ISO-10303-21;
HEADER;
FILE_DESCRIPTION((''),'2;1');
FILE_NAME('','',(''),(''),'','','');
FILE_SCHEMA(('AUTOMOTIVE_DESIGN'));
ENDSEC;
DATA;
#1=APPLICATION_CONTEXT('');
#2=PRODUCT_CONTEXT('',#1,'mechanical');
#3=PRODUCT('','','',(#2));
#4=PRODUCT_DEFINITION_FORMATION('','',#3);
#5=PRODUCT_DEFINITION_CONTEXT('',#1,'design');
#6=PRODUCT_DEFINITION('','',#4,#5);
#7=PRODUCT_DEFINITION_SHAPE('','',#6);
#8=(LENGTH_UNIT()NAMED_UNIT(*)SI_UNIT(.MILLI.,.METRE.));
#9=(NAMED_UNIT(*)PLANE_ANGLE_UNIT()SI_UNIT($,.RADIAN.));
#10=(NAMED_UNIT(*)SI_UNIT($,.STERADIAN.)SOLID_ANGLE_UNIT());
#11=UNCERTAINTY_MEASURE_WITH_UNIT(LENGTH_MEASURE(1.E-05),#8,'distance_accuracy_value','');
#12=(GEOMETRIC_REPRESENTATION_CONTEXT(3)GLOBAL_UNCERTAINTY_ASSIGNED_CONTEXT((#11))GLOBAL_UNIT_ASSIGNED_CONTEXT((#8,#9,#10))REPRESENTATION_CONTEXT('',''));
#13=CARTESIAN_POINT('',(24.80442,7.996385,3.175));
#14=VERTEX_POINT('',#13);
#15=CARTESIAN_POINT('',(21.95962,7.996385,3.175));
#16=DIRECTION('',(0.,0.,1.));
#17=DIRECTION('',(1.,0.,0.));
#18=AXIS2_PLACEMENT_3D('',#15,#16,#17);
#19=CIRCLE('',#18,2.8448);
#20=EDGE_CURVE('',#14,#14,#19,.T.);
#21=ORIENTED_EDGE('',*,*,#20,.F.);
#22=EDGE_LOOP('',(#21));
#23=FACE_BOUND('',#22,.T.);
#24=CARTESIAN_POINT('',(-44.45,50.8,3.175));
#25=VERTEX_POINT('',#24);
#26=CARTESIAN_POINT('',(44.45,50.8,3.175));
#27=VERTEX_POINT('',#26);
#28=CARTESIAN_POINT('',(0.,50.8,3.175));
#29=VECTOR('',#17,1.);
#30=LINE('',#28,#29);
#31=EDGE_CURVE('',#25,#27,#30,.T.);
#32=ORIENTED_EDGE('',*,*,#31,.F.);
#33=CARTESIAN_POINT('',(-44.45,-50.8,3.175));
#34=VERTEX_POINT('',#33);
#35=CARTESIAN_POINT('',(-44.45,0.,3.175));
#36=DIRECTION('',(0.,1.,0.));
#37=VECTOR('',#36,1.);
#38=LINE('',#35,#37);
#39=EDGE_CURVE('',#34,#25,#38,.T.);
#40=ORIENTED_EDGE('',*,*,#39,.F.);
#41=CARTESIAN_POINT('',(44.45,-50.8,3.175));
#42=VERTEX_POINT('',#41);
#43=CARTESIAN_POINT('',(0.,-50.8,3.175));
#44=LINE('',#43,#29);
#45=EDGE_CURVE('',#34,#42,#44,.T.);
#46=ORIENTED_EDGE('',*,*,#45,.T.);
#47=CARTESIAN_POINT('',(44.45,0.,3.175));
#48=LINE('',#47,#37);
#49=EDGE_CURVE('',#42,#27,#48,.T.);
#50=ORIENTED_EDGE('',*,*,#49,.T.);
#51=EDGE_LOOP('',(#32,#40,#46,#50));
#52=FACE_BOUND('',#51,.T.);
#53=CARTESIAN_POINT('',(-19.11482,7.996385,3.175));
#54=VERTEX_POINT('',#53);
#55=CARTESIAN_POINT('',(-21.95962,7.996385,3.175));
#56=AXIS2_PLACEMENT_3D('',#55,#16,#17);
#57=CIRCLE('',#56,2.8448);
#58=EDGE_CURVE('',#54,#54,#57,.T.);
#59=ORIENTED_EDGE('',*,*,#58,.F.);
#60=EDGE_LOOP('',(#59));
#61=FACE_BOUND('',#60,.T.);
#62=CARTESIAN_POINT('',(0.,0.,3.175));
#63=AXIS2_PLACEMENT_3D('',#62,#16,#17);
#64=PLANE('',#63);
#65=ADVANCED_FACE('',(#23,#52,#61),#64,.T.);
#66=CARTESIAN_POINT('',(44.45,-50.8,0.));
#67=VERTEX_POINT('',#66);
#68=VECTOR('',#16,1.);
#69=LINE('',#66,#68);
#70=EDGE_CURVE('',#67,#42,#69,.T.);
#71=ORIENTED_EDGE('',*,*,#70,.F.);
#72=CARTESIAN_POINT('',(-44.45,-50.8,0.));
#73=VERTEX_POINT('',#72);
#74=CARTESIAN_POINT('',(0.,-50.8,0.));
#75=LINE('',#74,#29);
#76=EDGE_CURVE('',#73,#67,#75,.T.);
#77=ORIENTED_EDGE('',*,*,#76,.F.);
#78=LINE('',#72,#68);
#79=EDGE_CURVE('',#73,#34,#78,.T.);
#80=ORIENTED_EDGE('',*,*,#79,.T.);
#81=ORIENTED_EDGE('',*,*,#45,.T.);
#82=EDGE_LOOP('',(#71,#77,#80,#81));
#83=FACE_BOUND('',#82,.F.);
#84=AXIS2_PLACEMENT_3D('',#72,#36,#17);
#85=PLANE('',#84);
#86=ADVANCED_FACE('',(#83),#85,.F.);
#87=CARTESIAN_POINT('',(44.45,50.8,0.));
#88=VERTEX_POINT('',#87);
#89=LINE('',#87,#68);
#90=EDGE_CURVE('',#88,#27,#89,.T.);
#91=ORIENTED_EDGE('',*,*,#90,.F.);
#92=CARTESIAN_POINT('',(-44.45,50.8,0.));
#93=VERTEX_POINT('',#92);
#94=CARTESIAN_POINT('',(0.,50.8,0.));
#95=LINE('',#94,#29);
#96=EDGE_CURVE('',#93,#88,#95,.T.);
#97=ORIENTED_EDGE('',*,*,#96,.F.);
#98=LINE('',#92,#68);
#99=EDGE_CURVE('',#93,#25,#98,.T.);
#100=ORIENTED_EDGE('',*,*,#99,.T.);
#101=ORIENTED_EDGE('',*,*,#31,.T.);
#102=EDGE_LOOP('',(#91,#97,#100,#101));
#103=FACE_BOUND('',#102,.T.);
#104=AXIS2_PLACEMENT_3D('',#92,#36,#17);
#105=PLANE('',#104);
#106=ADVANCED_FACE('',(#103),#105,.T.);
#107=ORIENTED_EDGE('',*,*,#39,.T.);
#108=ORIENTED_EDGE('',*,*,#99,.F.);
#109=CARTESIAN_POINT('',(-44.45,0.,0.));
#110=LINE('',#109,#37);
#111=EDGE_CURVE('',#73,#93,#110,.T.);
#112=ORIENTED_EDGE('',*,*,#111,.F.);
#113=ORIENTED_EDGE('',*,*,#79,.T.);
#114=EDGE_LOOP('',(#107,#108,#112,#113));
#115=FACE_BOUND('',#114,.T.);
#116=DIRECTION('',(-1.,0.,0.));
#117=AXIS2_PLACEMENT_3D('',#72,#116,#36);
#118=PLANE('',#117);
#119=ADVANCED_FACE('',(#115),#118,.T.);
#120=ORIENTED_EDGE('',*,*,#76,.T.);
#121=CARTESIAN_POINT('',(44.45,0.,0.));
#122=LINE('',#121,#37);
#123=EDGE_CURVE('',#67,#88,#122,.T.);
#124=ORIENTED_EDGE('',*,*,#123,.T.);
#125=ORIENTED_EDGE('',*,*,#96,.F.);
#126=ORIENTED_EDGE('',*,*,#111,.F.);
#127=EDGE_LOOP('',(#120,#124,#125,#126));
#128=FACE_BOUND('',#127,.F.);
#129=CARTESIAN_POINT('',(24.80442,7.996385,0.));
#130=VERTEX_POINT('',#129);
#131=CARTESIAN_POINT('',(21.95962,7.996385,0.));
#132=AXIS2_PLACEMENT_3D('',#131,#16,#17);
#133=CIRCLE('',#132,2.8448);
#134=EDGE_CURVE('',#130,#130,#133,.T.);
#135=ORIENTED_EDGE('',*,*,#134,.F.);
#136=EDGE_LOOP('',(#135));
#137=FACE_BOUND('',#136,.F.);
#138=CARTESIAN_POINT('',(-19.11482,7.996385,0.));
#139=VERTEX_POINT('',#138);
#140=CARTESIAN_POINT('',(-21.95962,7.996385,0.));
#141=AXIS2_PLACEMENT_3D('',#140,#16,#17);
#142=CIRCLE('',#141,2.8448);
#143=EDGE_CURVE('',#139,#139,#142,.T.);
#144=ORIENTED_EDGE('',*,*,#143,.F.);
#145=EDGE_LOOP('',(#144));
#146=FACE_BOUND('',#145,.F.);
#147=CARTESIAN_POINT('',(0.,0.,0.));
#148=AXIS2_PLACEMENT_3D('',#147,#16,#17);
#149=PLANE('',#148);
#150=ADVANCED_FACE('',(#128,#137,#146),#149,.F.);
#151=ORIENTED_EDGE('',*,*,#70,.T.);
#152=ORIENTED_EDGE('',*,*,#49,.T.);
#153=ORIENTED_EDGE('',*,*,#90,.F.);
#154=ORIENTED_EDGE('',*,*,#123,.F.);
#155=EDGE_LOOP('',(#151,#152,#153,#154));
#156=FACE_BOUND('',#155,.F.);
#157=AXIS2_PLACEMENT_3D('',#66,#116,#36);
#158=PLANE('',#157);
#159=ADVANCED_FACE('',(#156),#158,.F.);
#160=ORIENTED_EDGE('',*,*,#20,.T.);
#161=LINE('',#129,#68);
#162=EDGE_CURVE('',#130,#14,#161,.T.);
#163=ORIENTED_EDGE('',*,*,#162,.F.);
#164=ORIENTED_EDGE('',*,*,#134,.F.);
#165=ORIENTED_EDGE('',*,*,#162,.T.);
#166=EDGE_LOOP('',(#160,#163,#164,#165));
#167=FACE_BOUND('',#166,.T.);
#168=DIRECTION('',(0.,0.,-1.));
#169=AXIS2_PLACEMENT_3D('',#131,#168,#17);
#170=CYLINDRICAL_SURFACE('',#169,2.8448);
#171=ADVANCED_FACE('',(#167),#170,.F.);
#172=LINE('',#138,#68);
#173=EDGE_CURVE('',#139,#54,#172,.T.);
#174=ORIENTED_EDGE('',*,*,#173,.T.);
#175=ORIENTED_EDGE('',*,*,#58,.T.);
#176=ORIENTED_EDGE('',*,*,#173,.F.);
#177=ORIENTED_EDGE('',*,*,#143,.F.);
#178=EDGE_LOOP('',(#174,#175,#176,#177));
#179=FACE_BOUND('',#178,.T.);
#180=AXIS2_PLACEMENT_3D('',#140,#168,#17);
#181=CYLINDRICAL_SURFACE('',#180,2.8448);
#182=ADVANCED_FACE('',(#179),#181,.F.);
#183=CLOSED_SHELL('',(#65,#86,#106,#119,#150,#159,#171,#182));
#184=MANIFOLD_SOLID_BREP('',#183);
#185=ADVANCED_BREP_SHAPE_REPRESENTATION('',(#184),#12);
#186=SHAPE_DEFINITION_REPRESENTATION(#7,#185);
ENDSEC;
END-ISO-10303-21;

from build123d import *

# Parameters (mm, degrees)
F0_W     = 88.9
F0_H     = 101.6
F0_R     = 18.288
F0_R_2   = 10.2489
F0_R_3   = 2.8448
F1_DEPTH = 3.175


with BuildPart() as f1:
    # F0 (on Top) → F1 (new body)
    with BuildSketch(Plane.XY):
        Rectangle(F0_W, F0_H)
        with Locations((-21.9596195966, 7.9963849857)):
            Circle(F0_R, mode=Mode.SUBTRACT)
        with Locations((21.9596195966, 7.9963849857)):
            Circle(F0_R, mode=Mode.SUBTRACT)
        with Locations((-21.9596195966, 7.9963849857)):
            Circle(F0_R)
        with Locations((-21.9596195966, 7.9963849857)):
            Circle(F0_R_2, mode=Mode.SUBTRACT)
        with Locations((21.9596195966, 7.9963849857)):
            Circle(F0_R)
        with Locations((21.9596195966, 7.9963849857)):
            Circle(F0_R_2, mode=Mode.SUBTRACT)
        with Locations((-21.9596195966, 7.9963849857)):
            Circle(F0_R_2)
        with Locations((-21.9596195966, 7.9963849857)):
            Circle(F0_R_3, mode=Mode.SUBTRACT)
        with Locations((21.9596195966, 7.9963849857)):
            Circle(F0_R_2)
        with Locations((21.9596195966, 7.9963849857)):
            Circle(F0_R_3, mode=Mode.SUBTRACT)
    extrude(amount=F1_DEPTH)


solid = f1.part
